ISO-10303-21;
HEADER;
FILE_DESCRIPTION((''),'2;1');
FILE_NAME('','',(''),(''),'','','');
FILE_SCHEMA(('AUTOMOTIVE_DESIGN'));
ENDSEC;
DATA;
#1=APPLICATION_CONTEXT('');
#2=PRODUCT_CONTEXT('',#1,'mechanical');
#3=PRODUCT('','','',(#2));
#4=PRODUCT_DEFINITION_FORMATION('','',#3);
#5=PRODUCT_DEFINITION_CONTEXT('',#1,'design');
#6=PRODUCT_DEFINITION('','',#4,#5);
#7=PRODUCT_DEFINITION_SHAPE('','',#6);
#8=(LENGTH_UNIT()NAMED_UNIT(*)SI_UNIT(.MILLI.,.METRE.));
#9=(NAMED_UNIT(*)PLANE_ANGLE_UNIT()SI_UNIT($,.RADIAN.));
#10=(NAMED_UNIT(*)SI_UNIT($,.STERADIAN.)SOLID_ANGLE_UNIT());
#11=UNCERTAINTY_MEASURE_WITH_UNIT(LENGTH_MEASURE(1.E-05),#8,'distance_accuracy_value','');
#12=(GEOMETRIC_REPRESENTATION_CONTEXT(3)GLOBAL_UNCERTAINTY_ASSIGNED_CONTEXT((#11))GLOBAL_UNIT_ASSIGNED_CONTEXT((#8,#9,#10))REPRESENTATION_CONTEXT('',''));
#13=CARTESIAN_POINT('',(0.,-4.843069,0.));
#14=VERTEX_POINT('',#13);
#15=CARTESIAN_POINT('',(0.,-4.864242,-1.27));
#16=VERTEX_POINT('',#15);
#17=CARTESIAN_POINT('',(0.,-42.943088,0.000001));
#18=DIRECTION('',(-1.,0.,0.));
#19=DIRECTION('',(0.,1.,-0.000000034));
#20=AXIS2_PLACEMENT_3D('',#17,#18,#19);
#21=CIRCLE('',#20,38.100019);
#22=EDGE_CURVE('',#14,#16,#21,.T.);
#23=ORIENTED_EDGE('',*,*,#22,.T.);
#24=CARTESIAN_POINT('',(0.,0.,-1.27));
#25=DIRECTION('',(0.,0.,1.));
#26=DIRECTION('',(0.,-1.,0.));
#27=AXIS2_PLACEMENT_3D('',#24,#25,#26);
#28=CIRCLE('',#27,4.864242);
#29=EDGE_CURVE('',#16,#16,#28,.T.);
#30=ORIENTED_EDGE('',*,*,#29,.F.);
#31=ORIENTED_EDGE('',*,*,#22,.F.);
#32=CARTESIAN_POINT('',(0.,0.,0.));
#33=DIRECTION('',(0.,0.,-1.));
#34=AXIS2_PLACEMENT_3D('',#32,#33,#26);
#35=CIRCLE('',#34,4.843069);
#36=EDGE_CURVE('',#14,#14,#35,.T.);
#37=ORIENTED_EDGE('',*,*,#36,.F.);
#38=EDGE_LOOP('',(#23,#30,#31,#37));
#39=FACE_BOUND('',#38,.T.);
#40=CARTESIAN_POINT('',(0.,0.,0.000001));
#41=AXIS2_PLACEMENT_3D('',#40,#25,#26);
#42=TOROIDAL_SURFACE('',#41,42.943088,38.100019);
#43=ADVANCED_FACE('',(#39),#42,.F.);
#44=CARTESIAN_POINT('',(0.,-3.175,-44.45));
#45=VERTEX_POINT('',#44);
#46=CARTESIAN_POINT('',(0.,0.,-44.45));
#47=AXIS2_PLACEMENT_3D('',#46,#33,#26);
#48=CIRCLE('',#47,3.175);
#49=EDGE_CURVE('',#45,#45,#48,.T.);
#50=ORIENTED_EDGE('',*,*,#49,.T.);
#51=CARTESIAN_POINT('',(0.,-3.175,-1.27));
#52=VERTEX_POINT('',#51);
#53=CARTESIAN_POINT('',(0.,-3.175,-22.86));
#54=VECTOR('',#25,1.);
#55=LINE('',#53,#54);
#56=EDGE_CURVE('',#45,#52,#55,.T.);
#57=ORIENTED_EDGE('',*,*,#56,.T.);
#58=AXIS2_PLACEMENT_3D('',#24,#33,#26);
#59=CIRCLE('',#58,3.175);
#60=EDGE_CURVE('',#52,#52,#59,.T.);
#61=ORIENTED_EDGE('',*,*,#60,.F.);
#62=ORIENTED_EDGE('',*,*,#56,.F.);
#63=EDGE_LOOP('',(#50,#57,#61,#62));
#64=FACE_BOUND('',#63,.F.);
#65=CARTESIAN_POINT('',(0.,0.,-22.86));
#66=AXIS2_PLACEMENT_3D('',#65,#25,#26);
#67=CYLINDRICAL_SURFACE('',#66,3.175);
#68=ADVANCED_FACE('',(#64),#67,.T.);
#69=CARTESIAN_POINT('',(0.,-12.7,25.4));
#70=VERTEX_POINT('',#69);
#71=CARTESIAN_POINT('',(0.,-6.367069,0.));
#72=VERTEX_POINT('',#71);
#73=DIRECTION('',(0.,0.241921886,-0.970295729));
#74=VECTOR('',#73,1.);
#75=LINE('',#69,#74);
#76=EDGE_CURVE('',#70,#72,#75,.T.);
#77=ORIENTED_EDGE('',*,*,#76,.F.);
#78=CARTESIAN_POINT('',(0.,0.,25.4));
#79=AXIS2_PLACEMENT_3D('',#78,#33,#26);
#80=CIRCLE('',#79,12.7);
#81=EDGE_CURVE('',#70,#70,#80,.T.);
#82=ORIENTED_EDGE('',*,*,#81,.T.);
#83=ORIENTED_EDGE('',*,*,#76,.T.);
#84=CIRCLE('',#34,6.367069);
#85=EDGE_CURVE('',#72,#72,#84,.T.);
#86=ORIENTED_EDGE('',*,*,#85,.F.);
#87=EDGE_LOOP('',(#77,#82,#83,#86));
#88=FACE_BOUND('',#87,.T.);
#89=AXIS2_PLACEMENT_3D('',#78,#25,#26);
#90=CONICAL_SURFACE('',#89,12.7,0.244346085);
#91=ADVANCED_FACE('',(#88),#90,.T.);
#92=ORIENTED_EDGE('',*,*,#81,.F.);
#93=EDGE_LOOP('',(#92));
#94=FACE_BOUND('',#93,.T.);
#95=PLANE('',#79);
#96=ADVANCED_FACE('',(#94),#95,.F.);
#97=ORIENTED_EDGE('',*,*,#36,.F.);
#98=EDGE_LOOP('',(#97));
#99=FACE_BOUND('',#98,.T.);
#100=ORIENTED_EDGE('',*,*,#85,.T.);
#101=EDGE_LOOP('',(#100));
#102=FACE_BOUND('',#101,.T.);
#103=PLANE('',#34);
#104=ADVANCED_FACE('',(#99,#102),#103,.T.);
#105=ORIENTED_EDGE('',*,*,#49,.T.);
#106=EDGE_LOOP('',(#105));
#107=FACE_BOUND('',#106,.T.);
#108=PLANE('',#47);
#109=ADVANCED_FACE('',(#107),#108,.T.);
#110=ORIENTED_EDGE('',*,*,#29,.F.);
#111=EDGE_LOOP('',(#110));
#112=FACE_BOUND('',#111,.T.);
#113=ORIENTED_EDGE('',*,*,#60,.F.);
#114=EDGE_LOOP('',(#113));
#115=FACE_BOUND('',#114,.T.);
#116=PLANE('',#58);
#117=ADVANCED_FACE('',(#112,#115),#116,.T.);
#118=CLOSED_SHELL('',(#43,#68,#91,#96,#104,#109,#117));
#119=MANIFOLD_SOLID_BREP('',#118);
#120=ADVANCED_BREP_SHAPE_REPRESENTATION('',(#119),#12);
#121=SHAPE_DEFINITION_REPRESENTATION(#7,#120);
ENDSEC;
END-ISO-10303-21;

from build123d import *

# Parameters (mm, degrees)
F2_W = 10.944133
F2_H = 43.18


with BuildPart() as f1:
    # F0 (on Right) → F1 (revolve)
    with BuildSketch(Plane.YZ):
        with BuildLine():
            Line((0, 25.4), (-12.7, 25.4))
            Line((-12.7, 25.4), (-6.367069, 0))
            Line((-6.367069, 0), (-4.843069, 0))
            ThreePointArc((-4.843069, 0), (-5.221683, -5.357895), (-6.35, -10.609304))
            Line((-6.35, -10.609304), (-6.35, -44.45))
            Line((-6.35, -44.45), (0, -44.45))
            Line((0, -44.45), (0, 25.4))
        make_face()
    revolve(axis=Axis((0, 0, -9.525), (0, 0, -1)))

    # F2 (on Right) → F3 (revolve, cut)
    with BuildSketch(Plane.YZ):
        with Locations((-8.647066, -22.86)):
            Rectangle(F2_W, F2_H)
    revolve(axis=Axis((0, 0, -9.525), (0, 0, -1)), mode=Mode.SUBTRACT)


solid = f1.part
